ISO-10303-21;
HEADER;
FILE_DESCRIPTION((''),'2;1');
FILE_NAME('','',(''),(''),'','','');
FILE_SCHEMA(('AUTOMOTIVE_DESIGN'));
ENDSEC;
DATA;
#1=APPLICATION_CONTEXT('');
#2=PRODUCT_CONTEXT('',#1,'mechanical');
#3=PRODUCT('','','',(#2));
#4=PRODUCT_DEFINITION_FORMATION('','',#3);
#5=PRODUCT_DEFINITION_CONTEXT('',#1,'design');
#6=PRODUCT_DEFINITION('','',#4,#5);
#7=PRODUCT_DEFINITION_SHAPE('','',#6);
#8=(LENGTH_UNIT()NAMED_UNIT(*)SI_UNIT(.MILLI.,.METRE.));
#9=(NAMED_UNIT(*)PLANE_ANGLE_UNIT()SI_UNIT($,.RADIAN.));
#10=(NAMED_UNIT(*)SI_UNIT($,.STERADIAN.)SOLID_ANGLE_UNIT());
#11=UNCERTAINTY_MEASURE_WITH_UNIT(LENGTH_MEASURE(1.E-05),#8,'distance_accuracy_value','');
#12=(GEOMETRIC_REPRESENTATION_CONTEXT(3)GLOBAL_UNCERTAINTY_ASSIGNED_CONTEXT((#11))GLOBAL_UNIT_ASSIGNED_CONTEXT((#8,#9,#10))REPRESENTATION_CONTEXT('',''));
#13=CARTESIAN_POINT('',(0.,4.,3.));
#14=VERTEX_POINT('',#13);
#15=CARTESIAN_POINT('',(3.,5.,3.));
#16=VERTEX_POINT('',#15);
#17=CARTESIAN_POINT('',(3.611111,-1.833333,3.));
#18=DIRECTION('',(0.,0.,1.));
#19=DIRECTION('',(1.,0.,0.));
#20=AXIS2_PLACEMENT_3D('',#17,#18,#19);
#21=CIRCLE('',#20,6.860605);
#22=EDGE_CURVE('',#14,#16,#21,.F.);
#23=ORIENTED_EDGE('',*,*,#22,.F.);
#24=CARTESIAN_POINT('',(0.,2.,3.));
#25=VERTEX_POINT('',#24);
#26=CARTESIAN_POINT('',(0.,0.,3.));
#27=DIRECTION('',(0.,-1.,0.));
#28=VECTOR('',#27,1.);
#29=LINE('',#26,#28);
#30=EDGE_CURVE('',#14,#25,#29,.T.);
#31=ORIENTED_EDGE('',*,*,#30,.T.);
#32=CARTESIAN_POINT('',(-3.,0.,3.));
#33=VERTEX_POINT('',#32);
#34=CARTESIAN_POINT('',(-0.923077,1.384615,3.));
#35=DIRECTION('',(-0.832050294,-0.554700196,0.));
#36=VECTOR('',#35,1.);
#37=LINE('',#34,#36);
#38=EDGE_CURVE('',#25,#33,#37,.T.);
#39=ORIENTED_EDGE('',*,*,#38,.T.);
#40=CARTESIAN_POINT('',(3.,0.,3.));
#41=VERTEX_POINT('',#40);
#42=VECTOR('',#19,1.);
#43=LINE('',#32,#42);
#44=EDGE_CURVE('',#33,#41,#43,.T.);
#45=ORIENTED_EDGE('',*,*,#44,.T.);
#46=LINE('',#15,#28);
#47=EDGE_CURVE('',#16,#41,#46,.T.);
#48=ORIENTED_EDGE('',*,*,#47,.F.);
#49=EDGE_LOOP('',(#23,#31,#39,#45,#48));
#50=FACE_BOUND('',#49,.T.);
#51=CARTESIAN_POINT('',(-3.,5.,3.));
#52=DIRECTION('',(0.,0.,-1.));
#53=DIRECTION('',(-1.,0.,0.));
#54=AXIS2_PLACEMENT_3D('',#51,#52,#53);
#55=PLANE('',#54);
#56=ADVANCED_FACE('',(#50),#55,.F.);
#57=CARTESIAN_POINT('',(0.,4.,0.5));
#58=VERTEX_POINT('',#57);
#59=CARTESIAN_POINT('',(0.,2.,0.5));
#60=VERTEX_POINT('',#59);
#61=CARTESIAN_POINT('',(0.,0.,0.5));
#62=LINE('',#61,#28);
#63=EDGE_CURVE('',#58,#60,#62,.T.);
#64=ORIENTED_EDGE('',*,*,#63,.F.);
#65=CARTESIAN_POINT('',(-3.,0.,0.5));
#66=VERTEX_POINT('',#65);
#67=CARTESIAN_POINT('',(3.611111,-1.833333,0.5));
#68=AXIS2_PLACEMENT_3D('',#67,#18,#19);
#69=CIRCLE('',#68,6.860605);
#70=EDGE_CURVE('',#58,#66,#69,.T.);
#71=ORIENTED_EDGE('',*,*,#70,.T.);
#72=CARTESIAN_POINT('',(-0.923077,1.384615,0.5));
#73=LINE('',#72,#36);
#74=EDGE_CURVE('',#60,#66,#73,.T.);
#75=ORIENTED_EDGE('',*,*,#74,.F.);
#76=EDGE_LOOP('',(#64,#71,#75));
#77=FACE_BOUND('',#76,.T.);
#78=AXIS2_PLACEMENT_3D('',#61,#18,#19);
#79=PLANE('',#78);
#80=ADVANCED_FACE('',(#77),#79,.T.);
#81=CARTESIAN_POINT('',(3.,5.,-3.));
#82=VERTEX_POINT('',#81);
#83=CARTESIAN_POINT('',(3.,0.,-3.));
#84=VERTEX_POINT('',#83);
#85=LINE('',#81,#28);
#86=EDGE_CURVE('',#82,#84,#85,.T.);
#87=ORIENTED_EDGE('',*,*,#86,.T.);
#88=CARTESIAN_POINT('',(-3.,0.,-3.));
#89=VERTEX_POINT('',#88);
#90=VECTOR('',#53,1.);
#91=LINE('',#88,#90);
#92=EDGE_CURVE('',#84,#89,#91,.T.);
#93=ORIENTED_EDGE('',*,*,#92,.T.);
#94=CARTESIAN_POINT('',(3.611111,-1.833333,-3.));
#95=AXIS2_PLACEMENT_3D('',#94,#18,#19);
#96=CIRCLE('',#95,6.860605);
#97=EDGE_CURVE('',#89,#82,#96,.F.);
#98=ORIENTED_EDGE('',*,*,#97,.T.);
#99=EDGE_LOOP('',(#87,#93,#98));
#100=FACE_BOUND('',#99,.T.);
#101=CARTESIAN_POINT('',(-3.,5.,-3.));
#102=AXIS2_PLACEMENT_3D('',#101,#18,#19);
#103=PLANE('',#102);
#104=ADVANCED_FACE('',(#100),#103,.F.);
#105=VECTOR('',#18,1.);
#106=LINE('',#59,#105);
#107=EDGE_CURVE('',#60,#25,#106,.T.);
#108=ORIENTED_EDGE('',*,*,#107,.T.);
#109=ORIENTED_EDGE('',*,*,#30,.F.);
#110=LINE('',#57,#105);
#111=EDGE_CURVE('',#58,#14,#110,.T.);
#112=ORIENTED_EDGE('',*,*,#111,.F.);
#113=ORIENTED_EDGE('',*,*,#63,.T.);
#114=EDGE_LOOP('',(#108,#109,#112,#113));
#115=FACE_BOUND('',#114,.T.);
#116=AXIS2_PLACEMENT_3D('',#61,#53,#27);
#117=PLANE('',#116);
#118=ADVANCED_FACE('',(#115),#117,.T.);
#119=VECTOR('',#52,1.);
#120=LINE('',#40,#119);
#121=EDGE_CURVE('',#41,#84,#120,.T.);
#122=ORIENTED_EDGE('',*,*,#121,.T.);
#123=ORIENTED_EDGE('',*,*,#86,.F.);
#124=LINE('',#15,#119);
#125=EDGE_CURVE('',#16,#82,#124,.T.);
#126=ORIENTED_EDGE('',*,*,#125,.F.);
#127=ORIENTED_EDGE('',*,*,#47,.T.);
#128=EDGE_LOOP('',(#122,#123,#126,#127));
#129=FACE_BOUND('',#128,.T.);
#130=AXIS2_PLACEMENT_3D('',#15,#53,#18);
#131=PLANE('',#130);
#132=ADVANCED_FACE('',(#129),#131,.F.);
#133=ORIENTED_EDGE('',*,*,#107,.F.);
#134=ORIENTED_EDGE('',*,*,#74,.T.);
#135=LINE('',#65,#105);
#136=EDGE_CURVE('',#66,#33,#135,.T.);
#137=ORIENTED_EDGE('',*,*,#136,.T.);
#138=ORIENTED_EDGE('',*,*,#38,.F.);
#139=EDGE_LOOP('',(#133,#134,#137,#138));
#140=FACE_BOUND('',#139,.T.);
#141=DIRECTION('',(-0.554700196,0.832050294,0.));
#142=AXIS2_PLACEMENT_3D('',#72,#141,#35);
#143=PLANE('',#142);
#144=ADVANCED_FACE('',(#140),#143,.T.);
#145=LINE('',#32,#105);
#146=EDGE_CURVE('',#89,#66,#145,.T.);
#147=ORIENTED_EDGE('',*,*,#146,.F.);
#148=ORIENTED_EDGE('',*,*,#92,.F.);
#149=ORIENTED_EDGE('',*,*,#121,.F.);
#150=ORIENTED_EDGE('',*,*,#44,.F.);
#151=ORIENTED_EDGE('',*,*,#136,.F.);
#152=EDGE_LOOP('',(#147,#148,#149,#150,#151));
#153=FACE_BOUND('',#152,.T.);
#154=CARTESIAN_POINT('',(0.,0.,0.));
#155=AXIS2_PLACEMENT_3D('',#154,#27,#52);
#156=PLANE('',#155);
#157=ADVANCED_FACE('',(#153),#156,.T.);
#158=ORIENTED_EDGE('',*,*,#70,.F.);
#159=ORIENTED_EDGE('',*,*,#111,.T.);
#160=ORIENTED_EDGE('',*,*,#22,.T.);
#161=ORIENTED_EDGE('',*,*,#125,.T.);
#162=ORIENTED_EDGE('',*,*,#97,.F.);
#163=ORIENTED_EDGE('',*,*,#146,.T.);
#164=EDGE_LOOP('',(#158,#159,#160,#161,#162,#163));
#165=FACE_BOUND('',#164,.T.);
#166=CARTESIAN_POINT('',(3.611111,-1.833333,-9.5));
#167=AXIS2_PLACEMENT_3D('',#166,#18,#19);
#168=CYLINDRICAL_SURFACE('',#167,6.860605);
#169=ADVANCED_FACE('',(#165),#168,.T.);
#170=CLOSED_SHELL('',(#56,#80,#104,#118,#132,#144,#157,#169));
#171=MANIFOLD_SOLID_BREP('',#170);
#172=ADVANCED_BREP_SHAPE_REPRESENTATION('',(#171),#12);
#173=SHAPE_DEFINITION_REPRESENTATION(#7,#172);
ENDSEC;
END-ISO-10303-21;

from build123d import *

# Parameters (mm, degrees)
SKETCH1_W           = 6
SKETCH1_H           = 6
BOSS_EXTRUDE1_DEPTH = 5
CUT_EXTRUDE10_DEPTH = 12.5
CUT_EXTRUDE11_DEPTH = 2.5


with BuildPart() as part:
    # Sketch1 → Boss-Extrude1 (new body)
    with BuildSketch(Plane(origin=(0, 0, 0), x_dir=(1, 0, 0), z_dir=(0, 1, 0))):
        Rectangle(SKETCH1_W, SKETCH1_H)
    extrude(amount=BOSS_EXTRUDE1_DEPTH)

    # Sketch11 → Cut-Extrude10 (cut)
    with BuildSketch(Plane.XY.offset(3)):
        with BuildLine():
            ThreePointArc((-3, 0), (-0.780941195, 3.437129434), (3, 5))
            Line((3, 5), (-3, 5))
            Line((-3, 5), (-3, 0))
        make_face()
    extrude(amount=-CUT_EXTRUDE10_DEPTH, mode=Mode.SUBTRACT)

    # Sketch12 → Cut-Extrude11 (cut)
    with BuildSketch(Plane.XY.offset(3)):
        with BuildLine():
            Line((0, 2), (0, 4))
            ThreePointArc((0, 4), (-1.877372905, 2.283029678), (-3, 0))
            Line((-3, 0), (0, 2))
        make_face()
    extrude(amount=-CUT_EXTRUDE11_DEPTH, mode=Mode.SUBTRACT)


solid = part.part
